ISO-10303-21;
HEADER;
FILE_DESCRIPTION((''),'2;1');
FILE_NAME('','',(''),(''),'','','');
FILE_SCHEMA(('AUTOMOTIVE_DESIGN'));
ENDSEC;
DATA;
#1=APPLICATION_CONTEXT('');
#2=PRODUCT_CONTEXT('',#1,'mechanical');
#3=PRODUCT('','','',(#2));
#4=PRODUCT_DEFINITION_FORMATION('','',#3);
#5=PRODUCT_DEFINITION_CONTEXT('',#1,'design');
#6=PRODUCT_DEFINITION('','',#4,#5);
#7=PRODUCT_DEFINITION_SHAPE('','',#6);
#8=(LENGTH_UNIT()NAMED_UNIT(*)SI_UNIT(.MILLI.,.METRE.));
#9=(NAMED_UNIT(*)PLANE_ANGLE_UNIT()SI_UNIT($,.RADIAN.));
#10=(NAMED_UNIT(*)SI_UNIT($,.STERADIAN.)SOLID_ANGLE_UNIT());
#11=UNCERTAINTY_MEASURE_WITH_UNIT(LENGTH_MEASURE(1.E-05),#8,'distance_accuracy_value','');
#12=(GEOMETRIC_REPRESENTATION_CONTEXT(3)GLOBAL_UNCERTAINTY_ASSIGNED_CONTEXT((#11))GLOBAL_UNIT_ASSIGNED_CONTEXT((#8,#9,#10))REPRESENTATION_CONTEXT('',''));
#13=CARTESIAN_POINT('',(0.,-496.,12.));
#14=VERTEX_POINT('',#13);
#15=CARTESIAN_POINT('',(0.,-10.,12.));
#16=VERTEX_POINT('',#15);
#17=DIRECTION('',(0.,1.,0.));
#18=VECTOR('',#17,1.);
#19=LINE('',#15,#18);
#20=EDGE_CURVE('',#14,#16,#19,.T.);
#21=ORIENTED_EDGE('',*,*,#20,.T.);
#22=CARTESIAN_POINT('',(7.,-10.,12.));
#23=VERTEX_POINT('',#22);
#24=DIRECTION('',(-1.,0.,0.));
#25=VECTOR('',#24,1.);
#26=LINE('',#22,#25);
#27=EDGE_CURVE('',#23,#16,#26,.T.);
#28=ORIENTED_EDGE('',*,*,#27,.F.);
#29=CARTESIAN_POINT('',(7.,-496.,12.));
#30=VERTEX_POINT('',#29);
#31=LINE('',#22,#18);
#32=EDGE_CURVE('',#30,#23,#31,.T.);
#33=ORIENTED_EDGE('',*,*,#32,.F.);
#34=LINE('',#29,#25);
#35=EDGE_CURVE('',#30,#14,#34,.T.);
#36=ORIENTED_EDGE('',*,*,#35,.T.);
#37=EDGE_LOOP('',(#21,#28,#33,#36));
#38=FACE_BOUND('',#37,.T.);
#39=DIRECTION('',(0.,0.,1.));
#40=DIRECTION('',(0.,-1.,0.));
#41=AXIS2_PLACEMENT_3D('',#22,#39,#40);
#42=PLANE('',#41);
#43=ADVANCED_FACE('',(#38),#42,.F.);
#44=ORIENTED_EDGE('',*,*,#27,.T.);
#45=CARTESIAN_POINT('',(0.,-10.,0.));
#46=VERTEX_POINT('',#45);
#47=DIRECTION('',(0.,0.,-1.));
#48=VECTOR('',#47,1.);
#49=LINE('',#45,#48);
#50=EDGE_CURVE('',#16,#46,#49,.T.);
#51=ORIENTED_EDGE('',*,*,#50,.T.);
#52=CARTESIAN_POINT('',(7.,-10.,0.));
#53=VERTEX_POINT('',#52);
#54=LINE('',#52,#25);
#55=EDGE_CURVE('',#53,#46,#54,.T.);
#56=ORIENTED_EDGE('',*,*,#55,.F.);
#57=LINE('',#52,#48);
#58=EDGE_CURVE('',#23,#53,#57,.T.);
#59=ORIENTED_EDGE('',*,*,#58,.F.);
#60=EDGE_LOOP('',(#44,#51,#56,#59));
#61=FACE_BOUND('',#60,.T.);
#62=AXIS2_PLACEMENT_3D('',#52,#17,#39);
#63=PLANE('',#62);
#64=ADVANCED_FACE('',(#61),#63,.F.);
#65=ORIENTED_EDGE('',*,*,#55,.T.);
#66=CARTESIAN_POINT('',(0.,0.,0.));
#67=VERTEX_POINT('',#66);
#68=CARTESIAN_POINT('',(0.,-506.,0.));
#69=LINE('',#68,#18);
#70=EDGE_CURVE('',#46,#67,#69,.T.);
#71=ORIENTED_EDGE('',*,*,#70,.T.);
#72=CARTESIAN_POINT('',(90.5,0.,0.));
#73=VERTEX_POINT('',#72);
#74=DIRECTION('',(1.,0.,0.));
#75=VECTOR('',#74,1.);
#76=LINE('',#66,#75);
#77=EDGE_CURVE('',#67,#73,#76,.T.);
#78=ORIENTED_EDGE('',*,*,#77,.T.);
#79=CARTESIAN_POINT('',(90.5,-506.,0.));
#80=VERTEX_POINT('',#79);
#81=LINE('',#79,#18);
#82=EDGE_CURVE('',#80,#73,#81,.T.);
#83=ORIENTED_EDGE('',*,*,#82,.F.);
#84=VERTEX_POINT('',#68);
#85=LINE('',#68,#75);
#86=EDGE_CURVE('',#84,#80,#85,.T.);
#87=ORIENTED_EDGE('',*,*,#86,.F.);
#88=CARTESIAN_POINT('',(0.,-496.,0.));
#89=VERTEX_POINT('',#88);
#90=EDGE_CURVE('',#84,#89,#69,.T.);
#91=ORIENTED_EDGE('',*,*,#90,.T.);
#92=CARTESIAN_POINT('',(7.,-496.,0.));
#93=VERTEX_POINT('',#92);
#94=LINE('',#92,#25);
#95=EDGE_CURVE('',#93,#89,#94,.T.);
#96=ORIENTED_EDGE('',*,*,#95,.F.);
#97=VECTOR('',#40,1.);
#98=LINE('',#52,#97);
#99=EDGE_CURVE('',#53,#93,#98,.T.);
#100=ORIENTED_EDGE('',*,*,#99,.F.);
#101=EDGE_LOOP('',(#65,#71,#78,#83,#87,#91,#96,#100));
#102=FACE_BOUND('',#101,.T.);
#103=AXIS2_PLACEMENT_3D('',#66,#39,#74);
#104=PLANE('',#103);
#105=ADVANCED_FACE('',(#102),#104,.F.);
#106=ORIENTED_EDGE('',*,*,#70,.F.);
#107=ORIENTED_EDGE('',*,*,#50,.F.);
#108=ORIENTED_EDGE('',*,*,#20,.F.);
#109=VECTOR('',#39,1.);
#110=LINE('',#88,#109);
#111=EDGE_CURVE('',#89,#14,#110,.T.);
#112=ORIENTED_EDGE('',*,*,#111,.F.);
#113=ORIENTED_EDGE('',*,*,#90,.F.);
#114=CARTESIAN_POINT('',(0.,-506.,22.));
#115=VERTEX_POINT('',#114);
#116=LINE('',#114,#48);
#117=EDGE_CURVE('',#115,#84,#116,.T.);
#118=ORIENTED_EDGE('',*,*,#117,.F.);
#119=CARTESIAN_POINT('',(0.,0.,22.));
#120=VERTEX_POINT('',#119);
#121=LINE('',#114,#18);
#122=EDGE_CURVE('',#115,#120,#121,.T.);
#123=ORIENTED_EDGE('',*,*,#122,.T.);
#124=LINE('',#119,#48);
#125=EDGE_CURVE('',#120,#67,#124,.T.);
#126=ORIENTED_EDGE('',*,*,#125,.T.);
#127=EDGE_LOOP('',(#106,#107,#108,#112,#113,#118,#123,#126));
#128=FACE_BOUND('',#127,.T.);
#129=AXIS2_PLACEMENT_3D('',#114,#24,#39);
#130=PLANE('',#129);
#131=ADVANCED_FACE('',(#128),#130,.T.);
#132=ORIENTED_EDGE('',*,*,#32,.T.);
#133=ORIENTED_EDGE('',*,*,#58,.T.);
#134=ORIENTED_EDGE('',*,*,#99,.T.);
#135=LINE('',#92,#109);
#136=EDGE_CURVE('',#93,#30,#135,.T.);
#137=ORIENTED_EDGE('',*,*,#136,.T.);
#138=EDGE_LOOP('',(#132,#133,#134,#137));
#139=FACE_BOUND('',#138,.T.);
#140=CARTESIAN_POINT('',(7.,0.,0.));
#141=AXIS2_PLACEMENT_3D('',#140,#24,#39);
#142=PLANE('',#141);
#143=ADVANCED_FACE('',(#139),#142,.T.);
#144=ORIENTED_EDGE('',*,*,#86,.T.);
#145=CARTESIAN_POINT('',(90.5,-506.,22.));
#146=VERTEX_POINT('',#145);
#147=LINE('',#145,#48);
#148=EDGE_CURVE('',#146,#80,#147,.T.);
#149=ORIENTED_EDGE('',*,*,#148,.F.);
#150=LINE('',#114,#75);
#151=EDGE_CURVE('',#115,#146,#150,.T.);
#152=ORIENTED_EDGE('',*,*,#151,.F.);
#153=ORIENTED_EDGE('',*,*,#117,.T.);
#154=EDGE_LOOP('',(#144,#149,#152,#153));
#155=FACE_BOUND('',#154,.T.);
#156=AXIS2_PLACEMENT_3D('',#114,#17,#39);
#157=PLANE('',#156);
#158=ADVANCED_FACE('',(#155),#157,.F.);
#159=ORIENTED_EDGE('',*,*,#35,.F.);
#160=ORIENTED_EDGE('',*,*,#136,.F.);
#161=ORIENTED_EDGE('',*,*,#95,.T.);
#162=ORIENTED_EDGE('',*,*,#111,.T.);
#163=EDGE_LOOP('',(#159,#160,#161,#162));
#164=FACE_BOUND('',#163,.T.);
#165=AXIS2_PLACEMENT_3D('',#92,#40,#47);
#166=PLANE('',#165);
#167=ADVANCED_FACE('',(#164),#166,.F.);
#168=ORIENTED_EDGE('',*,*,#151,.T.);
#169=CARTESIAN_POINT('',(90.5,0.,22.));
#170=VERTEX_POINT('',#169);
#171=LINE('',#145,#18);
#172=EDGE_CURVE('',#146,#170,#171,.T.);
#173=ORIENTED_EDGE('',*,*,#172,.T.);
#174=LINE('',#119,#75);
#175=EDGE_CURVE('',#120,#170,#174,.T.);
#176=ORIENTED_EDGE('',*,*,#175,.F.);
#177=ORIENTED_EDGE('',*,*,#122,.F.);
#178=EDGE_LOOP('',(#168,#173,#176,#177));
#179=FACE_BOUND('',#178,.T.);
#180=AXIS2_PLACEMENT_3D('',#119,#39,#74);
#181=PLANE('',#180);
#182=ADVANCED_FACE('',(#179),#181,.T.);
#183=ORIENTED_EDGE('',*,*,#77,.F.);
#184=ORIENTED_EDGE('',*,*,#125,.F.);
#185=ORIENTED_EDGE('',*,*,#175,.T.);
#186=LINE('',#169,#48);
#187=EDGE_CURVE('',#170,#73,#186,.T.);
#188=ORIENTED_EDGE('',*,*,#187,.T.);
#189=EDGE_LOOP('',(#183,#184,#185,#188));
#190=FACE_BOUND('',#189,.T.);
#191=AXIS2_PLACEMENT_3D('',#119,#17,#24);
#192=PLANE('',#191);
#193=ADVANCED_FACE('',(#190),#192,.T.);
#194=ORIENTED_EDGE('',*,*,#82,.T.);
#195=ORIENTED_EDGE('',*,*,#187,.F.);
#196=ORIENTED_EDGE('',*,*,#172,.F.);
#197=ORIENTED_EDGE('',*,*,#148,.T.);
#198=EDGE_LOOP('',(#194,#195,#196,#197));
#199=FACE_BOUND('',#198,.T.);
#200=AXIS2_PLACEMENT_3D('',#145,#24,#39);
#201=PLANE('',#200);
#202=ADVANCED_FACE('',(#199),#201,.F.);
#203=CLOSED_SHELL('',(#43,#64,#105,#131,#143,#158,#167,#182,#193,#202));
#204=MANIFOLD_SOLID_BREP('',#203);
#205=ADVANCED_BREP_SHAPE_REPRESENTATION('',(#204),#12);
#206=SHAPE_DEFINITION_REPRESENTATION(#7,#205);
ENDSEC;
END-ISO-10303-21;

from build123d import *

# Parameters (mm, degrees)
ESQUISSE1_W             = 90.5
ESQUISSE1_H             = 506
BOSS_EXTRU_1_DEPTH      = 22
ESQUISSE2_W             = 12
ESQUISSE2_H             = 486
ENL_V_MAT_EXTRU_1_DEPTH = 7


with BuildPart() as part:
    # Esquisse1 → Boss.-Extru.1 (new body)
    with BuildSketch(Plane.XY):
        with Locations((45.25, -253)):
            Rectangle(ESQUISSE1_W, ESQUISSE1_H)
    extrude(amount=BOSS_EXTRU_1_DEPTH)

    # Esquisse2 → Enlèv. mat.-Extru.1 (cut)
    with BuildSketch(Plane.ZY):
        with Locations((6, -253)):
            Rectangle(ESQUISSE2_W, ESQUISSE2_H)
    extrude(amount=-ENL_V_MAT_EXTRU_1_DEPTH, mode=Mode.SUBTRACT)


solid = part.part
